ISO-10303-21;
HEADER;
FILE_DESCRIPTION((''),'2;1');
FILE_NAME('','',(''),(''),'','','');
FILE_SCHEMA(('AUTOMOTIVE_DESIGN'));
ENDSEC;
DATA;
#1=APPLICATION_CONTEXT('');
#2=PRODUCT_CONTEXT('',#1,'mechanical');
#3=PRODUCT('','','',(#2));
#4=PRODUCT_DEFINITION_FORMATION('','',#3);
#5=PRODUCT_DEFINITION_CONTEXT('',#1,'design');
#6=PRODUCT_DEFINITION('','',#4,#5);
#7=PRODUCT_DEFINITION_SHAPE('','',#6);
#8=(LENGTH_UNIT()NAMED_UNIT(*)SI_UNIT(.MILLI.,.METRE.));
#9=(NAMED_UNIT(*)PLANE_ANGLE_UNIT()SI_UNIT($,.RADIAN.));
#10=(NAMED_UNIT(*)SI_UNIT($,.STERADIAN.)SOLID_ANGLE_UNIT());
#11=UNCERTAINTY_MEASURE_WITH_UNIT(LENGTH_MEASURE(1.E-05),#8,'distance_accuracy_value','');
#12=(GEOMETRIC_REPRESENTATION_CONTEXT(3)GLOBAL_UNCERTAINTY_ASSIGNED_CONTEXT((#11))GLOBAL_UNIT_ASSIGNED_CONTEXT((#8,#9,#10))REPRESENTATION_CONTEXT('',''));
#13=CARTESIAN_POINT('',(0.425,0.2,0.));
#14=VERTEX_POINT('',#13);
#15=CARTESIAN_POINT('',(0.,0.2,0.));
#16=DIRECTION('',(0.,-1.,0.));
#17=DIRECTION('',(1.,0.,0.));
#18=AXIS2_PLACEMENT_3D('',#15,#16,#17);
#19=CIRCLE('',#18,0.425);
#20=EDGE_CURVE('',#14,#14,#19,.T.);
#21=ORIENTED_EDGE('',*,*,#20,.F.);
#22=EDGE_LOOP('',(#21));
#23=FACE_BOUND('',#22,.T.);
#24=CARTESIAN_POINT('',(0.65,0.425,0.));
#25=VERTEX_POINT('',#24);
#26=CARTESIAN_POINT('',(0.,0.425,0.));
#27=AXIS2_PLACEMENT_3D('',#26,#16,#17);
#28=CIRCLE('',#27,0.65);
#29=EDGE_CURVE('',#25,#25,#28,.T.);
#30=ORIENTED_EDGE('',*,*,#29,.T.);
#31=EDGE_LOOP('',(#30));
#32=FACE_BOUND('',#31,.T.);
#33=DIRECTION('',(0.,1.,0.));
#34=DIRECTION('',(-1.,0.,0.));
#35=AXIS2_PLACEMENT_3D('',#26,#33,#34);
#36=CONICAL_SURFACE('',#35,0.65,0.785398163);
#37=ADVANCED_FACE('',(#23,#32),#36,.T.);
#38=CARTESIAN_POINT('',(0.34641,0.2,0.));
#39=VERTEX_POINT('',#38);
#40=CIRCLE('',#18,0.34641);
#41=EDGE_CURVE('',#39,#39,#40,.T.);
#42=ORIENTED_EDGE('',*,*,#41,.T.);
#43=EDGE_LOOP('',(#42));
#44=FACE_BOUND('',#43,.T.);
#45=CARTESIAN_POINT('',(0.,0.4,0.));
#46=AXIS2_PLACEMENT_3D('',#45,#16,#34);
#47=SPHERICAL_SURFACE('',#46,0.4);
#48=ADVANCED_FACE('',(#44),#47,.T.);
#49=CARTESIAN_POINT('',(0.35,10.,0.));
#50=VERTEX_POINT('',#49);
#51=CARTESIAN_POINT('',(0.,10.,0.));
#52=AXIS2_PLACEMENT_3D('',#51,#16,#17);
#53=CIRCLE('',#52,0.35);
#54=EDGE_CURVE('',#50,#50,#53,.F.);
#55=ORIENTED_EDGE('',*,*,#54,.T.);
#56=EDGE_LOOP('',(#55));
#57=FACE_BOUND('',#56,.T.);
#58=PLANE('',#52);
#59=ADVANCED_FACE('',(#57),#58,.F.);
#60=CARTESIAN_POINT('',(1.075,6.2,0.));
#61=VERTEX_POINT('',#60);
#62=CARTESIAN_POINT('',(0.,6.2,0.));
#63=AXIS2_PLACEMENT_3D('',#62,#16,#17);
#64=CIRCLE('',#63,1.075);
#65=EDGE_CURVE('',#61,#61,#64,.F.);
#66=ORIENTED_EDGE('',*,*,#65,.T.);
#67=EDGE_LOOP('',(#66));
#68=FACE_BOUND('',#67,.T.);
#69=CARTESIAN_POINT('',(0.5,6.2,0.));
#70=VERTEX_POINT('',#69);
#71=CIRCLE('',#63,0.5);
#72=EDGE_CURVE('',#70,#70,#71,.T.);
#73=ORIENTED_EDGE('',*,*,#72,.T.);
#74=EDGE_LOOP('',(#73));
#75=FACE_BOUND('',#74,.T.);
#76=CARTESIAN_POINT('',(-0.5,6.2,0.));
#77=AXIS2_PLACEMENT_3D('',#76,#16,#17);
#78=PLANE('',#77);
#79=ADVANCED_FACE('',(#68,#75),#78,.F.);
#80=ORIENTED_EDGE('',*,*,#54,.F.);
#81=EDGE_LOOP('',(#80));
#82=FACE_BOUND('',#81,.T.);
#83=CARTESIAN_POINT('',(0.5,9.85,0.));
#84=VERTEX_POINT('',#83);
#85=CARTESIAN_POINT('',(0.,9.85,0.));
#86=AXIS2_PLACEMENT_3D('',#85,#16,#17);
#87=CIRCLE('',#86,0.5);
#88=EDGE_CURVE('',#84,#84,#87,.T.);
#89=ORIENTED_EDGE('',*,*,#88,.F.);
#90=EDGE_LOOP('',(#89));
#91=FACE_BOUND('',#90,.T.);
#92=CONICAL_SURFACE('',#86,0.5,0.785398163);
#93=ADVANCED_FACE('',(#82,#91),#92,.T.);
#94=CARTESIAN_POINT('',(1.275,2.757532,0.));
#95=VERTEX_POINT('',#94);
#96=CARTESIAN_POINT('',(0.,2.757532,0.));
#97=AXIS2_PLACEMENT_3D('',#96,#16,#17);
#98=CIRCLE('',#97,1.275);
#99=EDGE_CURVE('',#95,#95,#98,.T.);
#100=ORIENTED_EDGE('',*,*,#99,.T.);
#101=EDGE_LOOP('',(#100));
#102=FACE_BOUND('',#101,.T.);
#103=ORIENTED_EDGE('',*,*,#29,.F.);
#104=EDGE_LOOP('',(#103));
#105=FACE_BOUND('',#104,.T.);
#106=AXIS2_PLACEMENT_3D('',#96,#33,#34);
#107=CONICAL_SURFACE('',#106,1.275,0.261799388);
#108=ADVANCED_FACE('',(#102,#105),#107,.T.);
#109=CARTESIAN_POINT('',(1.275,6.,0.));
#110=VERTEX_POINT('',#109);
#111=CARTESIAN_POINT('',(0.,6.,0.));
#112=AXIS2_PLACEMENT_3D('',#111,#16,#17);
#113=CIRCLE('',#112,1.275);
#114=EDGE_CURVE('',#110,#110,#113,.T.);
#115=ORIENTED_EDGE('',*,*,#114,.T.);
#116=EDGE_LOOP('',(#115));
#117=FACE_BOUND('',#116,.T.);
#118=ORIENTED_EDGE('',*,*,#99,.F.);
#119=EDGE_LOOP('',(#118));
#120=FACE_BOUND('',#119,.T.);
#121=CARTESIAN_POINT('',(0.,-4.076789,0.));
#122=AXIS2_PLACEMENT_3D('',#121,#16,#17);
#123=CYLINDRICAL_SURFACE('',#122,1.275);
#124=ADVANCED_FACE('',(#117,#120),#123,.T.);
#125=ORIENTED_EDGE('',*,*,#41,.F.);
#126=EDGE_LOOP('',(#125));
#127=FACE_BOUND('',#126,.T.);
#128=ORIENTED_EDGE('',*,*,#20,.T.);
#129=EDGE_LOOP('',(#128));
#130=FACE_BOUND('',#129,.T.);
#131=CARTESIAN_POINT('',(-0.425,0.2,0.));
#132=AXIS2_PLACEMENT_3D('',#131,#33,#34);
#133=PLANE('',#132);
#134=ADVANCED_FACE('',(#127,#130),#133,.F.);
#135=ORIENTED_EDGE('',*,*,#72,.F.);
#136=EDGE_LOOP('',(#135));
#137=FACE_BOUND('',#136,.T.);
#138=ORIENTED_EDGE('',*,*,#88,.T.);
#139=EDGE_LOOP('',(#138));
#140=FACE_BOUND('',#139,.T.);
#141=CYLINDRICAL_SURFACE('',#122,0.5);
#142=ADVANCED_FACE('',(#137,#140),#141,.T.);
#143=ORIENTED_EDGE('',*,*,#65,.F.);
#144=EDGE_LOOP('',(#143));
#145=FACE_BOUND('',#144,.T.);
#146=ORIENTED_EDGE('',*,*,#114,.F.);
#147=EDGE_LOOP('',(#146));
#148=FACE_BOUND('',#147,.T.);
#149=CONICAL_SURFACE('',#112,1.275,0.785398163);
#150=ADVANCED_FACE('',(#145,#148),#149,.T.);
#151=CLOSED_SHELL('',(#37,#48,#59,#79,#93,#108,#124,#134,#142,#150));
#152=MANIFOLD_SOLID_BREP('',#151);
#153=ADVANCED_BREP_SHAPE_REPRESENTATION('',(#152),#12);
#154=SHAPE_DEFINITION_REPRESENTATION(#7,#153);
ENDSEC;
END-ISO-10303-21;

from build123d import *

# Parameters (mm, degrees)
CHAMFER1_SIZE = 0.15
CHAMFER2_SIZE = 0.2


with BuildPart() as part:
    # Sketch1 → Base-Revolve (revolve)
    with BuildSketch(Plane.XY, mode=Mode.PRIVATE) as base_revolve_sk:
        with BuildLine():
            Line((0, 10), (-0.5, 10))
            Line((-0.5, 10), (-0.5, 6.2))
            Line((-0.5, 6.2), (-1.275, 6.2))
            Line((-1.275, 6.2), (-1.275, 2.757531755))
            Line((-1.275, 2.757531755), (-0.65, 0.425))
            Line((-0.65, 0.425), (-0.425, 0.2))
            Line((-0.425, 0.2), (-0.346410162, 0.2))
            ThreePointArc((-0.346410162, 0.2), (-0.2, 0.053589838), (0, 0))
            Line((0, 0), (0, 10))
        make_face()
    revolve(base_revolve_sk.sketch.rotate(Axis((0, -4.076789028, 0), (0, 1, 0)), 180), axis=Axis((0, -4.076789028, 0), (0, 1, 0)))

    # Chamfer1
    chamfer1_edges = [part.edges().sort_by_distance(p)[0] for p in [
        (-0.5, 10, 0),
    ]]
    chamfer(chamfer1_edges, length=CHAMFER1_SIZE)

    # Chamfer2
    chamfer2_edges = [part.edges().sort_by_distance(p)[0] for p in [
        (-1.275, 6.2, 0),
    ]]
    chamfer(chamfer2_edges, length=CHAMFER2_SIZE)


solid = part.part
